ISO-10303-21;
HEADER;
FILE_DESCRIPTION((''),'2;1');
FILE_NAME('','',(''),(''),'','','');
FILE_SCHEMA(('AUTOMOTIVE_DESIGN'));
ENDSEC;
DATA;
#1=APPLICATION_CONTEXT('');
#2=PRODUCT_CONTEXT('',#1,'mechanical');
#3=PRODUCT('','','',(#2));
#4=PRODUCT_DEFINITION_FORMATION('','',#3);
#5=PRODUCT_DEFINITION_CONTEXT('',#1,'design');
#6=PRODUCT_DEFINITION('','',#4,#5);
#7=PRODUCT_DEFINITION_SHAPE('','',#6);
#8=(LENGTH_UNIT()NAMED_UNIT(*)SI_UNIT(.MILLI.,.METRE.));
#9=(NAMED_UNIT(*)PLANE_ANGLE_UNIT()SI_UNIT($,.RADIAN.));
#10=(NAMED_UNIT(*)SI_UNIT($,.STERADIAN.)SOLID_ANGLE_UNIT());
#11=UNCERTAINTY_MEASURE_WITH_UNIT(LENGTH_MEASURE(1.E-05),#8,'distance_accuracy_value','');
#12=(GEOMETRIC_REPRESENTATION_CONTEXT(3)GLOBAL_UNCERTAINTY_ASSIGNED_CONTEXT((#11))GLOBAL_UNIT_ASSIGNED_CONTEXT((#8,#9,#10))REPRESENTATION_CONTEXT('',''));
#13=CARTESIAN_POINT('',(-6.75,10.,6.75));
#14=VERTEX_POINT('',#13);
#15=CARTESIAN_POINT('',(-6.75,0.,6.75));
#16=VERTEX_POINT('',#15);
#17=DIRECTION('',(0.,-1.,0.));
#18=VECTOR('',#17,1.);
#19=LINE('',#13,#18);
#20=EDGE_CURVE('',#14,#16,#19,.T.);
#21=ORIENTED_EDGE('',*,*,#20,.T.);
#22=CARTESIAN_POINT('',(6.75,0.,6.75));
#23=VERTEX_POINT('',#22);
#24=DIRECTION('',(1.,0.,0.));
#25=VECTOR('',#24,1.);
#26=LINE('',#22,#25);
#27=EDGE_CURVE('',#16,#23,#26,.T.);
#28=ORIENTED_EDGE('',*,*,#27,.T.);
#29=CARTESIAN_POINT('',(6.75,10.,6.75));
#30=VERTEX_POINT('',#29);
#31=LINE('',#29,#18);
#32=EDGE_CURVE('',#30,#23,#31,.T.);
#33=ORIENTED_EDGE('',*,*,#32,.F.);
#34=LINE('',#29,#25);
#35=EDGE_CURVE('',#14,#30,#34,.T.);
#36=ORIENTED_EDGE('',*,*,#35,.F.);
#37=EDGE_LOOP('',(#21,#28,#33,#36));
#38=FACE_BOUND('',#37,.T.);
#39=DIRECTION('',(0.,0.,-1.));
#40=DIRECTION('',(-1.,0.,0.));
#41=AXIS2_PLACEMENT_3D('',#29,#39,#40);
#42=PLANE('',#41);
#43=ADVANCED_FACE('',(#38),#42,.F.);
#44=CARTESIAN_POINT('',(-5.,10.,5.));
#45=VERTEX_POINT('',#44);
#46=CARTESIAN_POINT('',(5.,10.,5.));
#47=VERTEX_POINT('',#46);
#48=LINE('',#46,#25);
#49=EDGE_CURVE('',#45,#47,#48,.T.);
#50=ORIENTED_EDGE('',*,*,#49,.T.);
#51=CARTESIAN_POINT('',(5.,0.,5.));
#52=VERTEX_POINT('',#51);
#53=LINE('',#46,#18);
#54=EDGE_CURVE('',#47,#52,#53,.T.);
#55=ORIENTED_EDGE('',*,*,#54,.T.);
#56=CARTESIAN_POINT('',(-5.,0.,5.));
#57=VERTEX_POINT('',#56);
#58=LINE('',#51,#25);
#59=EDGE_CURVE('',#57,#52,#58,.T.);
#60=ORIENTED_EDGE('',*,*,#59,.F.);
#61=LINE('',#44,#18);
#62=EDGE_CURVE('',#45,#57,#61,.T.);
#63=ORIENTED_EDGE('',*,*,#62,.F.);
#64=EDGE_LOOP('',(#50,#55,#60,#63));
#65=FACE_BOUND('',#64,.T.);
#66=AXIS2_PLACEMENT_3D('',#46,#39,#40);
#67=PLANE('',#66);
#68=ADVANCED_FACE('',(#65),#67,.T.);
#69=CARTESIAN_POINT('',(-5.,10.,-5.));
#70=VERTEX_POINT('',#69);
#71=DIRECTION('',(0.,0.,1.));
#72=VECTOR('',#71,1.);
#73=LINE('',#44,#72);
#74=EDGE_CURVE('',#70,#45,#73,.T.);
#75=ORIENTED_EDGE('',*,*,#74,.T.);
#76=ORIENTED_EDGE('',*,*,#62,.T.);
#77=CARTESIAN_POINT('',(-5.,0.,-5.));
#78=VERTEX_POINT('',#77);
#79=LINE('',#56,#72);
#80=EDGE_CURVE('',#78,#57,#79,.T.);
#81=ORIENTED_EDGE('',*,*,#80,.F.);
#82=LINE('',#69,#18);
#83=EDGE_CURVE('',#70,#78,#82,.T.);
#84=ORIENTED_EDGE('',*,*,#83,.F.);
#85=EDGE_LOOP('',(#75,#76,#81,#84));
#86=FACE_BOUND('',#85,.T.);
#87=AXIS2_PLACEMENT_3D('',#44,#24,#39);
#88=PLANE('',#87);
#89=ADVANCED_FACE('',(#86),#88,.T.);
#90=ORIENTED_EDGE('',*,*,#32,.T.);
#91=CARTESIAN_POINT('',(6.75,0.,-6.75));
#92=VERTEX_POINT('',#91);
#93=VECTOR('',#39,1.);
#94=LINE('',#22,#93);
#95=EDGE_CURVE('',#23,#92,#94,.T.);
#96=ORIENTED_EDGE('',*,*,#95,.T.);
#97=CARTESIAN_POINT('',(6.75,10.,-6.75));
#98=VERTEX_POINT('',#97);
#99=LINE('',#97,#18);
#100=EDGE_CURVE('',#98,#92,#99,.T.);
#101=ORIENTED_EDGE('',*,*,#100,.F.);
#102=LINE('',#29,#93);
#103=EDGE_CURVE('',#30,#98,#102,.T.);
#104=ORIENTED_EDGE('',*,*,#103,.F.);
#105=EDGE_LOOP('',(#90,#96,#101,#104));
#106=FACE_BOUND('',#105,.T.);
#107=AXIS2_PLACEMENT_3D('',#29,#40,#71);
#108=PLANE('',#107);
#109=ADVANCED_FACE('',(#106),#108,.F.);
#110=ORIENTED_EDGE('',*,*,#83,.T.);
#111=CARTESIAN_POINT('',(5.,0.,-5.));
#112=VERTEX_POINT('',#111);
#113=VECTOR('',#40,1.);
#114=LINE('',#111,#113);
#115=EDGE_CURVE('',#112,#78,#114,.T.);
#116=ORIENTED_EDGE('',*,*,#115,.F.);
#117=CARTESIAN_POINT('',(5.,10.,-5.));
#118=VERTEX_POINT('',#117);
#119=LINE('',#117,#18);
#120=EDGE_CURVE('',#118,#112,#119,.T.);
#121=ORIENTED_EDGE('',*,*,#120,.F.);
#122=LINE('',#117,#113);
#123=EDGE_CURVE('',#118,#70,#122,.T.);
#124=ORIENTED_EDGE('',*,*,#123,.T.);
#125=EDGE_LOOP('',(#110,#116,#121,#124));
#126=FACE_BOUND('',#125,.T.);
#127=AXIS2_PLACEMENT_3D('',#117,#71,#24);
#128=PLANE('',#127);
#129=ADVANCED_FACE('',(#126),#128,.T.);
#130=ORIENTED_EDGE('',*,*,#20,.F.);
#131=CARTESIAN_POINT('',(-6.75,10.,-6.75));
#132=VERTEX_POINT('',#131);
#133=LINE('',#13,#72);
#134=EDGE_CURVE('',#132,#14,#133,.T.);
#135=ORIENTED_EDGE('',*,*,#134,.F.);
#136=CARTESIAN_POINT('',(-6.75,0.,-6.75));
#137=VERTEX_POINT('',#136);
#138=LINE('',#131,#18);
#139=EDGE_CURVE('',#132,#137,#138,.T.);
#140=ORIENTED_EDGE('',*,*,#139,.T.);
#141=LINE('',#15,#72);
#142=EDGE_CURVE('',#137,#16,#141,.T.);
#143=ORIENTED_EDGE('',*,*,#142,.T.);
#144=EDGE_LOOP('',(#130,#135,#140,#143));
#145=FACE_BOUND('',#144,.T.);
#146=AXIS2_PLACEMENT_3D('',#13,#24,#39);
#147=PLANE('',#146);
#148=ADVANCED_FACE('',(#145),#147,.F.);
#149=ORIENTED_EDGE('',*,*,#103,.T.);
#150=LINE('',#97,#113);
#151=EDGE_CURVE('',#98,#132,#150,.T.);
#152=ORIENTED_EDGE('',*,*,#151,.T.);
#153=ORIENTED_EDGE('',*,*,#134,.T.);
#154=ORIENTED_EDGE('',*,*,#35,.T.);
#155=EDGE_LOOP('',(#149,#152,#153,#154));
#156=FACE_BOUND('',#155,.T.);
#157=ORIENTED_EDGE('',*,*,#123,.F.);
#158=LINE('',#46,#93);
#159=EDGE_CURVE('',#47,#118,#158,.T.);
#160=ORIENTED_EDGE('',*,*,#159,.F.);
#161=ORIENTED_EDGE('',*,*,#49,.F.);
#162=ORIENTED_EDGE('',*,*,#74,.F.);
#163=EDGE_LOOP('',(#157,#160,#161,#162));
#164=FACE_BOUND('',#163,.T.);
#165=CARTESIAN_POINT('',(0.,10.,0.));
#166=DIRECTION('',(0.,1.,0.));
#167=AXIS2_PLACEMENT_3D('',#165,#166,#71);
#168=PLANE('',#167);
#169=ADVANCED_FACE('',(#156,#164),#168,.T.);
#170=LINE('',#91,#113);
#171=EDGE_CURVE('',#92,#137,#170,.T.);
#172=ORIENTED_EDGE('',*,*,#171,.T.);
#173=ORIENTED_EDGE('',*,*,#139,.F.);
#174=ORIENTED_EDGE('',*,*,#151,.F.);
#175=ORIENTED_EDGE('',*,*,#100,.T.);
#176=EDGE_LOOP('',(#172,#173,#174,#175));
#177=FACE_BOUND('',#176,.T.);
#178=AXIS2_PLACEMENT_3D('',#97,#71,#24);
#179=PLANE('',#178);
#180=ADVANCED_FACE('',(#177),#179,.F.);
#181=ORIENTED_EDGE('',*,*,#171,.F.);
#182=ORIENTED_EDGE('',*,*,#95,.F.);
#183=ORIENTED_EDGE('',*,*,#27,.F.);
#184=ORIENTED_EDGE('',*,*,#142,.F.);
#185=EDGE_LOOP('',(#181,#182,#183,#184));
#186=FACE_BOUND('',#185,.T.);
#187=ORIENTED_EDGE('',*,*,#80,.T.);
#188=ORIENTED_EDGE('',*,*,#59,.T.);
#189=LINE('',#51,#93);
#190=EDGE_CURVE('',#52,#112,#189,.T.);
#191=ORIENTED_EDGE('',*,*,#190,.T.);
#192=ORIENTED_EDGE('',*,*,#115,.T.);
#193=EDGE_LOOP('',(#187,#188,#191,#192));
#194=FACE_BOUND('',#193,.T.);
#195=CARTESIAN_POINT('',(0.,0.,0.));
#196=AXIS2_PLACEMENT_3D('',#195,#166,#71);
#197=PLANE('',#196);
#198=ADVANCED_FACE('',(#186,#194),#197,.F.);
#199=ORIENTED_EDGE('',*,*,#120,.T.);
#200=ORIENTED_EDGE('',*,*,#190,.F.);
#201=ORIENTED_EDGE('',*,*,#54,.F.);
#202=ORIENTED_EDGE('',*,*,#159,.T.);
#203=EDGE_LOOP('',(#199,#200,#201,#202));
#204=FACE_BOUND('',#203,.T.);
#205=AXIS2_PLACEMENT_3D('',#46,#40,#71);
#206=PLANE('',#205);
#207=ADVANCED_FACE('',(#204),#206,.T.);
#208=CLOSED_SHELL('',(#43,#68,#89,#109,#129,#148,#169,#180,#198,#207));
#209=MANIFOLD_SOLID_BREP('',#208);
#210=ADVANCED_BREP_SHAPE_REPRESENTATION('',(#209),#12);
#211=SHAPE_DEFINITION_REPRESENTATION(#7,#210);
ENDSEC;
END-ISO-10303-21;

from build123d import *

# Parameters (mm, degrees)
SKETCH1_W           = 13.5
SKETCH1_H           = 13.5
SKETCH1_W_2         = 10
SKETCH1_H_2         = 10
BOSS_EXTRUDE1_DEPTH = 10


with BuildPart() as part:
    # Sketch1 → Boss-Extrude1 (new body)
    with BuildSketch(Plane(origin=(0, 0, 0), x_dir=(1, 0, 0), z_dir=(0, 1, 0))):
        Rectangle(SKETCH1_W, SKETCH1_H)
        Rectangle(SKETCH1_W_2, SKETCH1_H_2, mode=Mode.SUBTRACT)
    extrude(amount=BOSS_EXTRUDE1_DEPTH)


solid = part.part
